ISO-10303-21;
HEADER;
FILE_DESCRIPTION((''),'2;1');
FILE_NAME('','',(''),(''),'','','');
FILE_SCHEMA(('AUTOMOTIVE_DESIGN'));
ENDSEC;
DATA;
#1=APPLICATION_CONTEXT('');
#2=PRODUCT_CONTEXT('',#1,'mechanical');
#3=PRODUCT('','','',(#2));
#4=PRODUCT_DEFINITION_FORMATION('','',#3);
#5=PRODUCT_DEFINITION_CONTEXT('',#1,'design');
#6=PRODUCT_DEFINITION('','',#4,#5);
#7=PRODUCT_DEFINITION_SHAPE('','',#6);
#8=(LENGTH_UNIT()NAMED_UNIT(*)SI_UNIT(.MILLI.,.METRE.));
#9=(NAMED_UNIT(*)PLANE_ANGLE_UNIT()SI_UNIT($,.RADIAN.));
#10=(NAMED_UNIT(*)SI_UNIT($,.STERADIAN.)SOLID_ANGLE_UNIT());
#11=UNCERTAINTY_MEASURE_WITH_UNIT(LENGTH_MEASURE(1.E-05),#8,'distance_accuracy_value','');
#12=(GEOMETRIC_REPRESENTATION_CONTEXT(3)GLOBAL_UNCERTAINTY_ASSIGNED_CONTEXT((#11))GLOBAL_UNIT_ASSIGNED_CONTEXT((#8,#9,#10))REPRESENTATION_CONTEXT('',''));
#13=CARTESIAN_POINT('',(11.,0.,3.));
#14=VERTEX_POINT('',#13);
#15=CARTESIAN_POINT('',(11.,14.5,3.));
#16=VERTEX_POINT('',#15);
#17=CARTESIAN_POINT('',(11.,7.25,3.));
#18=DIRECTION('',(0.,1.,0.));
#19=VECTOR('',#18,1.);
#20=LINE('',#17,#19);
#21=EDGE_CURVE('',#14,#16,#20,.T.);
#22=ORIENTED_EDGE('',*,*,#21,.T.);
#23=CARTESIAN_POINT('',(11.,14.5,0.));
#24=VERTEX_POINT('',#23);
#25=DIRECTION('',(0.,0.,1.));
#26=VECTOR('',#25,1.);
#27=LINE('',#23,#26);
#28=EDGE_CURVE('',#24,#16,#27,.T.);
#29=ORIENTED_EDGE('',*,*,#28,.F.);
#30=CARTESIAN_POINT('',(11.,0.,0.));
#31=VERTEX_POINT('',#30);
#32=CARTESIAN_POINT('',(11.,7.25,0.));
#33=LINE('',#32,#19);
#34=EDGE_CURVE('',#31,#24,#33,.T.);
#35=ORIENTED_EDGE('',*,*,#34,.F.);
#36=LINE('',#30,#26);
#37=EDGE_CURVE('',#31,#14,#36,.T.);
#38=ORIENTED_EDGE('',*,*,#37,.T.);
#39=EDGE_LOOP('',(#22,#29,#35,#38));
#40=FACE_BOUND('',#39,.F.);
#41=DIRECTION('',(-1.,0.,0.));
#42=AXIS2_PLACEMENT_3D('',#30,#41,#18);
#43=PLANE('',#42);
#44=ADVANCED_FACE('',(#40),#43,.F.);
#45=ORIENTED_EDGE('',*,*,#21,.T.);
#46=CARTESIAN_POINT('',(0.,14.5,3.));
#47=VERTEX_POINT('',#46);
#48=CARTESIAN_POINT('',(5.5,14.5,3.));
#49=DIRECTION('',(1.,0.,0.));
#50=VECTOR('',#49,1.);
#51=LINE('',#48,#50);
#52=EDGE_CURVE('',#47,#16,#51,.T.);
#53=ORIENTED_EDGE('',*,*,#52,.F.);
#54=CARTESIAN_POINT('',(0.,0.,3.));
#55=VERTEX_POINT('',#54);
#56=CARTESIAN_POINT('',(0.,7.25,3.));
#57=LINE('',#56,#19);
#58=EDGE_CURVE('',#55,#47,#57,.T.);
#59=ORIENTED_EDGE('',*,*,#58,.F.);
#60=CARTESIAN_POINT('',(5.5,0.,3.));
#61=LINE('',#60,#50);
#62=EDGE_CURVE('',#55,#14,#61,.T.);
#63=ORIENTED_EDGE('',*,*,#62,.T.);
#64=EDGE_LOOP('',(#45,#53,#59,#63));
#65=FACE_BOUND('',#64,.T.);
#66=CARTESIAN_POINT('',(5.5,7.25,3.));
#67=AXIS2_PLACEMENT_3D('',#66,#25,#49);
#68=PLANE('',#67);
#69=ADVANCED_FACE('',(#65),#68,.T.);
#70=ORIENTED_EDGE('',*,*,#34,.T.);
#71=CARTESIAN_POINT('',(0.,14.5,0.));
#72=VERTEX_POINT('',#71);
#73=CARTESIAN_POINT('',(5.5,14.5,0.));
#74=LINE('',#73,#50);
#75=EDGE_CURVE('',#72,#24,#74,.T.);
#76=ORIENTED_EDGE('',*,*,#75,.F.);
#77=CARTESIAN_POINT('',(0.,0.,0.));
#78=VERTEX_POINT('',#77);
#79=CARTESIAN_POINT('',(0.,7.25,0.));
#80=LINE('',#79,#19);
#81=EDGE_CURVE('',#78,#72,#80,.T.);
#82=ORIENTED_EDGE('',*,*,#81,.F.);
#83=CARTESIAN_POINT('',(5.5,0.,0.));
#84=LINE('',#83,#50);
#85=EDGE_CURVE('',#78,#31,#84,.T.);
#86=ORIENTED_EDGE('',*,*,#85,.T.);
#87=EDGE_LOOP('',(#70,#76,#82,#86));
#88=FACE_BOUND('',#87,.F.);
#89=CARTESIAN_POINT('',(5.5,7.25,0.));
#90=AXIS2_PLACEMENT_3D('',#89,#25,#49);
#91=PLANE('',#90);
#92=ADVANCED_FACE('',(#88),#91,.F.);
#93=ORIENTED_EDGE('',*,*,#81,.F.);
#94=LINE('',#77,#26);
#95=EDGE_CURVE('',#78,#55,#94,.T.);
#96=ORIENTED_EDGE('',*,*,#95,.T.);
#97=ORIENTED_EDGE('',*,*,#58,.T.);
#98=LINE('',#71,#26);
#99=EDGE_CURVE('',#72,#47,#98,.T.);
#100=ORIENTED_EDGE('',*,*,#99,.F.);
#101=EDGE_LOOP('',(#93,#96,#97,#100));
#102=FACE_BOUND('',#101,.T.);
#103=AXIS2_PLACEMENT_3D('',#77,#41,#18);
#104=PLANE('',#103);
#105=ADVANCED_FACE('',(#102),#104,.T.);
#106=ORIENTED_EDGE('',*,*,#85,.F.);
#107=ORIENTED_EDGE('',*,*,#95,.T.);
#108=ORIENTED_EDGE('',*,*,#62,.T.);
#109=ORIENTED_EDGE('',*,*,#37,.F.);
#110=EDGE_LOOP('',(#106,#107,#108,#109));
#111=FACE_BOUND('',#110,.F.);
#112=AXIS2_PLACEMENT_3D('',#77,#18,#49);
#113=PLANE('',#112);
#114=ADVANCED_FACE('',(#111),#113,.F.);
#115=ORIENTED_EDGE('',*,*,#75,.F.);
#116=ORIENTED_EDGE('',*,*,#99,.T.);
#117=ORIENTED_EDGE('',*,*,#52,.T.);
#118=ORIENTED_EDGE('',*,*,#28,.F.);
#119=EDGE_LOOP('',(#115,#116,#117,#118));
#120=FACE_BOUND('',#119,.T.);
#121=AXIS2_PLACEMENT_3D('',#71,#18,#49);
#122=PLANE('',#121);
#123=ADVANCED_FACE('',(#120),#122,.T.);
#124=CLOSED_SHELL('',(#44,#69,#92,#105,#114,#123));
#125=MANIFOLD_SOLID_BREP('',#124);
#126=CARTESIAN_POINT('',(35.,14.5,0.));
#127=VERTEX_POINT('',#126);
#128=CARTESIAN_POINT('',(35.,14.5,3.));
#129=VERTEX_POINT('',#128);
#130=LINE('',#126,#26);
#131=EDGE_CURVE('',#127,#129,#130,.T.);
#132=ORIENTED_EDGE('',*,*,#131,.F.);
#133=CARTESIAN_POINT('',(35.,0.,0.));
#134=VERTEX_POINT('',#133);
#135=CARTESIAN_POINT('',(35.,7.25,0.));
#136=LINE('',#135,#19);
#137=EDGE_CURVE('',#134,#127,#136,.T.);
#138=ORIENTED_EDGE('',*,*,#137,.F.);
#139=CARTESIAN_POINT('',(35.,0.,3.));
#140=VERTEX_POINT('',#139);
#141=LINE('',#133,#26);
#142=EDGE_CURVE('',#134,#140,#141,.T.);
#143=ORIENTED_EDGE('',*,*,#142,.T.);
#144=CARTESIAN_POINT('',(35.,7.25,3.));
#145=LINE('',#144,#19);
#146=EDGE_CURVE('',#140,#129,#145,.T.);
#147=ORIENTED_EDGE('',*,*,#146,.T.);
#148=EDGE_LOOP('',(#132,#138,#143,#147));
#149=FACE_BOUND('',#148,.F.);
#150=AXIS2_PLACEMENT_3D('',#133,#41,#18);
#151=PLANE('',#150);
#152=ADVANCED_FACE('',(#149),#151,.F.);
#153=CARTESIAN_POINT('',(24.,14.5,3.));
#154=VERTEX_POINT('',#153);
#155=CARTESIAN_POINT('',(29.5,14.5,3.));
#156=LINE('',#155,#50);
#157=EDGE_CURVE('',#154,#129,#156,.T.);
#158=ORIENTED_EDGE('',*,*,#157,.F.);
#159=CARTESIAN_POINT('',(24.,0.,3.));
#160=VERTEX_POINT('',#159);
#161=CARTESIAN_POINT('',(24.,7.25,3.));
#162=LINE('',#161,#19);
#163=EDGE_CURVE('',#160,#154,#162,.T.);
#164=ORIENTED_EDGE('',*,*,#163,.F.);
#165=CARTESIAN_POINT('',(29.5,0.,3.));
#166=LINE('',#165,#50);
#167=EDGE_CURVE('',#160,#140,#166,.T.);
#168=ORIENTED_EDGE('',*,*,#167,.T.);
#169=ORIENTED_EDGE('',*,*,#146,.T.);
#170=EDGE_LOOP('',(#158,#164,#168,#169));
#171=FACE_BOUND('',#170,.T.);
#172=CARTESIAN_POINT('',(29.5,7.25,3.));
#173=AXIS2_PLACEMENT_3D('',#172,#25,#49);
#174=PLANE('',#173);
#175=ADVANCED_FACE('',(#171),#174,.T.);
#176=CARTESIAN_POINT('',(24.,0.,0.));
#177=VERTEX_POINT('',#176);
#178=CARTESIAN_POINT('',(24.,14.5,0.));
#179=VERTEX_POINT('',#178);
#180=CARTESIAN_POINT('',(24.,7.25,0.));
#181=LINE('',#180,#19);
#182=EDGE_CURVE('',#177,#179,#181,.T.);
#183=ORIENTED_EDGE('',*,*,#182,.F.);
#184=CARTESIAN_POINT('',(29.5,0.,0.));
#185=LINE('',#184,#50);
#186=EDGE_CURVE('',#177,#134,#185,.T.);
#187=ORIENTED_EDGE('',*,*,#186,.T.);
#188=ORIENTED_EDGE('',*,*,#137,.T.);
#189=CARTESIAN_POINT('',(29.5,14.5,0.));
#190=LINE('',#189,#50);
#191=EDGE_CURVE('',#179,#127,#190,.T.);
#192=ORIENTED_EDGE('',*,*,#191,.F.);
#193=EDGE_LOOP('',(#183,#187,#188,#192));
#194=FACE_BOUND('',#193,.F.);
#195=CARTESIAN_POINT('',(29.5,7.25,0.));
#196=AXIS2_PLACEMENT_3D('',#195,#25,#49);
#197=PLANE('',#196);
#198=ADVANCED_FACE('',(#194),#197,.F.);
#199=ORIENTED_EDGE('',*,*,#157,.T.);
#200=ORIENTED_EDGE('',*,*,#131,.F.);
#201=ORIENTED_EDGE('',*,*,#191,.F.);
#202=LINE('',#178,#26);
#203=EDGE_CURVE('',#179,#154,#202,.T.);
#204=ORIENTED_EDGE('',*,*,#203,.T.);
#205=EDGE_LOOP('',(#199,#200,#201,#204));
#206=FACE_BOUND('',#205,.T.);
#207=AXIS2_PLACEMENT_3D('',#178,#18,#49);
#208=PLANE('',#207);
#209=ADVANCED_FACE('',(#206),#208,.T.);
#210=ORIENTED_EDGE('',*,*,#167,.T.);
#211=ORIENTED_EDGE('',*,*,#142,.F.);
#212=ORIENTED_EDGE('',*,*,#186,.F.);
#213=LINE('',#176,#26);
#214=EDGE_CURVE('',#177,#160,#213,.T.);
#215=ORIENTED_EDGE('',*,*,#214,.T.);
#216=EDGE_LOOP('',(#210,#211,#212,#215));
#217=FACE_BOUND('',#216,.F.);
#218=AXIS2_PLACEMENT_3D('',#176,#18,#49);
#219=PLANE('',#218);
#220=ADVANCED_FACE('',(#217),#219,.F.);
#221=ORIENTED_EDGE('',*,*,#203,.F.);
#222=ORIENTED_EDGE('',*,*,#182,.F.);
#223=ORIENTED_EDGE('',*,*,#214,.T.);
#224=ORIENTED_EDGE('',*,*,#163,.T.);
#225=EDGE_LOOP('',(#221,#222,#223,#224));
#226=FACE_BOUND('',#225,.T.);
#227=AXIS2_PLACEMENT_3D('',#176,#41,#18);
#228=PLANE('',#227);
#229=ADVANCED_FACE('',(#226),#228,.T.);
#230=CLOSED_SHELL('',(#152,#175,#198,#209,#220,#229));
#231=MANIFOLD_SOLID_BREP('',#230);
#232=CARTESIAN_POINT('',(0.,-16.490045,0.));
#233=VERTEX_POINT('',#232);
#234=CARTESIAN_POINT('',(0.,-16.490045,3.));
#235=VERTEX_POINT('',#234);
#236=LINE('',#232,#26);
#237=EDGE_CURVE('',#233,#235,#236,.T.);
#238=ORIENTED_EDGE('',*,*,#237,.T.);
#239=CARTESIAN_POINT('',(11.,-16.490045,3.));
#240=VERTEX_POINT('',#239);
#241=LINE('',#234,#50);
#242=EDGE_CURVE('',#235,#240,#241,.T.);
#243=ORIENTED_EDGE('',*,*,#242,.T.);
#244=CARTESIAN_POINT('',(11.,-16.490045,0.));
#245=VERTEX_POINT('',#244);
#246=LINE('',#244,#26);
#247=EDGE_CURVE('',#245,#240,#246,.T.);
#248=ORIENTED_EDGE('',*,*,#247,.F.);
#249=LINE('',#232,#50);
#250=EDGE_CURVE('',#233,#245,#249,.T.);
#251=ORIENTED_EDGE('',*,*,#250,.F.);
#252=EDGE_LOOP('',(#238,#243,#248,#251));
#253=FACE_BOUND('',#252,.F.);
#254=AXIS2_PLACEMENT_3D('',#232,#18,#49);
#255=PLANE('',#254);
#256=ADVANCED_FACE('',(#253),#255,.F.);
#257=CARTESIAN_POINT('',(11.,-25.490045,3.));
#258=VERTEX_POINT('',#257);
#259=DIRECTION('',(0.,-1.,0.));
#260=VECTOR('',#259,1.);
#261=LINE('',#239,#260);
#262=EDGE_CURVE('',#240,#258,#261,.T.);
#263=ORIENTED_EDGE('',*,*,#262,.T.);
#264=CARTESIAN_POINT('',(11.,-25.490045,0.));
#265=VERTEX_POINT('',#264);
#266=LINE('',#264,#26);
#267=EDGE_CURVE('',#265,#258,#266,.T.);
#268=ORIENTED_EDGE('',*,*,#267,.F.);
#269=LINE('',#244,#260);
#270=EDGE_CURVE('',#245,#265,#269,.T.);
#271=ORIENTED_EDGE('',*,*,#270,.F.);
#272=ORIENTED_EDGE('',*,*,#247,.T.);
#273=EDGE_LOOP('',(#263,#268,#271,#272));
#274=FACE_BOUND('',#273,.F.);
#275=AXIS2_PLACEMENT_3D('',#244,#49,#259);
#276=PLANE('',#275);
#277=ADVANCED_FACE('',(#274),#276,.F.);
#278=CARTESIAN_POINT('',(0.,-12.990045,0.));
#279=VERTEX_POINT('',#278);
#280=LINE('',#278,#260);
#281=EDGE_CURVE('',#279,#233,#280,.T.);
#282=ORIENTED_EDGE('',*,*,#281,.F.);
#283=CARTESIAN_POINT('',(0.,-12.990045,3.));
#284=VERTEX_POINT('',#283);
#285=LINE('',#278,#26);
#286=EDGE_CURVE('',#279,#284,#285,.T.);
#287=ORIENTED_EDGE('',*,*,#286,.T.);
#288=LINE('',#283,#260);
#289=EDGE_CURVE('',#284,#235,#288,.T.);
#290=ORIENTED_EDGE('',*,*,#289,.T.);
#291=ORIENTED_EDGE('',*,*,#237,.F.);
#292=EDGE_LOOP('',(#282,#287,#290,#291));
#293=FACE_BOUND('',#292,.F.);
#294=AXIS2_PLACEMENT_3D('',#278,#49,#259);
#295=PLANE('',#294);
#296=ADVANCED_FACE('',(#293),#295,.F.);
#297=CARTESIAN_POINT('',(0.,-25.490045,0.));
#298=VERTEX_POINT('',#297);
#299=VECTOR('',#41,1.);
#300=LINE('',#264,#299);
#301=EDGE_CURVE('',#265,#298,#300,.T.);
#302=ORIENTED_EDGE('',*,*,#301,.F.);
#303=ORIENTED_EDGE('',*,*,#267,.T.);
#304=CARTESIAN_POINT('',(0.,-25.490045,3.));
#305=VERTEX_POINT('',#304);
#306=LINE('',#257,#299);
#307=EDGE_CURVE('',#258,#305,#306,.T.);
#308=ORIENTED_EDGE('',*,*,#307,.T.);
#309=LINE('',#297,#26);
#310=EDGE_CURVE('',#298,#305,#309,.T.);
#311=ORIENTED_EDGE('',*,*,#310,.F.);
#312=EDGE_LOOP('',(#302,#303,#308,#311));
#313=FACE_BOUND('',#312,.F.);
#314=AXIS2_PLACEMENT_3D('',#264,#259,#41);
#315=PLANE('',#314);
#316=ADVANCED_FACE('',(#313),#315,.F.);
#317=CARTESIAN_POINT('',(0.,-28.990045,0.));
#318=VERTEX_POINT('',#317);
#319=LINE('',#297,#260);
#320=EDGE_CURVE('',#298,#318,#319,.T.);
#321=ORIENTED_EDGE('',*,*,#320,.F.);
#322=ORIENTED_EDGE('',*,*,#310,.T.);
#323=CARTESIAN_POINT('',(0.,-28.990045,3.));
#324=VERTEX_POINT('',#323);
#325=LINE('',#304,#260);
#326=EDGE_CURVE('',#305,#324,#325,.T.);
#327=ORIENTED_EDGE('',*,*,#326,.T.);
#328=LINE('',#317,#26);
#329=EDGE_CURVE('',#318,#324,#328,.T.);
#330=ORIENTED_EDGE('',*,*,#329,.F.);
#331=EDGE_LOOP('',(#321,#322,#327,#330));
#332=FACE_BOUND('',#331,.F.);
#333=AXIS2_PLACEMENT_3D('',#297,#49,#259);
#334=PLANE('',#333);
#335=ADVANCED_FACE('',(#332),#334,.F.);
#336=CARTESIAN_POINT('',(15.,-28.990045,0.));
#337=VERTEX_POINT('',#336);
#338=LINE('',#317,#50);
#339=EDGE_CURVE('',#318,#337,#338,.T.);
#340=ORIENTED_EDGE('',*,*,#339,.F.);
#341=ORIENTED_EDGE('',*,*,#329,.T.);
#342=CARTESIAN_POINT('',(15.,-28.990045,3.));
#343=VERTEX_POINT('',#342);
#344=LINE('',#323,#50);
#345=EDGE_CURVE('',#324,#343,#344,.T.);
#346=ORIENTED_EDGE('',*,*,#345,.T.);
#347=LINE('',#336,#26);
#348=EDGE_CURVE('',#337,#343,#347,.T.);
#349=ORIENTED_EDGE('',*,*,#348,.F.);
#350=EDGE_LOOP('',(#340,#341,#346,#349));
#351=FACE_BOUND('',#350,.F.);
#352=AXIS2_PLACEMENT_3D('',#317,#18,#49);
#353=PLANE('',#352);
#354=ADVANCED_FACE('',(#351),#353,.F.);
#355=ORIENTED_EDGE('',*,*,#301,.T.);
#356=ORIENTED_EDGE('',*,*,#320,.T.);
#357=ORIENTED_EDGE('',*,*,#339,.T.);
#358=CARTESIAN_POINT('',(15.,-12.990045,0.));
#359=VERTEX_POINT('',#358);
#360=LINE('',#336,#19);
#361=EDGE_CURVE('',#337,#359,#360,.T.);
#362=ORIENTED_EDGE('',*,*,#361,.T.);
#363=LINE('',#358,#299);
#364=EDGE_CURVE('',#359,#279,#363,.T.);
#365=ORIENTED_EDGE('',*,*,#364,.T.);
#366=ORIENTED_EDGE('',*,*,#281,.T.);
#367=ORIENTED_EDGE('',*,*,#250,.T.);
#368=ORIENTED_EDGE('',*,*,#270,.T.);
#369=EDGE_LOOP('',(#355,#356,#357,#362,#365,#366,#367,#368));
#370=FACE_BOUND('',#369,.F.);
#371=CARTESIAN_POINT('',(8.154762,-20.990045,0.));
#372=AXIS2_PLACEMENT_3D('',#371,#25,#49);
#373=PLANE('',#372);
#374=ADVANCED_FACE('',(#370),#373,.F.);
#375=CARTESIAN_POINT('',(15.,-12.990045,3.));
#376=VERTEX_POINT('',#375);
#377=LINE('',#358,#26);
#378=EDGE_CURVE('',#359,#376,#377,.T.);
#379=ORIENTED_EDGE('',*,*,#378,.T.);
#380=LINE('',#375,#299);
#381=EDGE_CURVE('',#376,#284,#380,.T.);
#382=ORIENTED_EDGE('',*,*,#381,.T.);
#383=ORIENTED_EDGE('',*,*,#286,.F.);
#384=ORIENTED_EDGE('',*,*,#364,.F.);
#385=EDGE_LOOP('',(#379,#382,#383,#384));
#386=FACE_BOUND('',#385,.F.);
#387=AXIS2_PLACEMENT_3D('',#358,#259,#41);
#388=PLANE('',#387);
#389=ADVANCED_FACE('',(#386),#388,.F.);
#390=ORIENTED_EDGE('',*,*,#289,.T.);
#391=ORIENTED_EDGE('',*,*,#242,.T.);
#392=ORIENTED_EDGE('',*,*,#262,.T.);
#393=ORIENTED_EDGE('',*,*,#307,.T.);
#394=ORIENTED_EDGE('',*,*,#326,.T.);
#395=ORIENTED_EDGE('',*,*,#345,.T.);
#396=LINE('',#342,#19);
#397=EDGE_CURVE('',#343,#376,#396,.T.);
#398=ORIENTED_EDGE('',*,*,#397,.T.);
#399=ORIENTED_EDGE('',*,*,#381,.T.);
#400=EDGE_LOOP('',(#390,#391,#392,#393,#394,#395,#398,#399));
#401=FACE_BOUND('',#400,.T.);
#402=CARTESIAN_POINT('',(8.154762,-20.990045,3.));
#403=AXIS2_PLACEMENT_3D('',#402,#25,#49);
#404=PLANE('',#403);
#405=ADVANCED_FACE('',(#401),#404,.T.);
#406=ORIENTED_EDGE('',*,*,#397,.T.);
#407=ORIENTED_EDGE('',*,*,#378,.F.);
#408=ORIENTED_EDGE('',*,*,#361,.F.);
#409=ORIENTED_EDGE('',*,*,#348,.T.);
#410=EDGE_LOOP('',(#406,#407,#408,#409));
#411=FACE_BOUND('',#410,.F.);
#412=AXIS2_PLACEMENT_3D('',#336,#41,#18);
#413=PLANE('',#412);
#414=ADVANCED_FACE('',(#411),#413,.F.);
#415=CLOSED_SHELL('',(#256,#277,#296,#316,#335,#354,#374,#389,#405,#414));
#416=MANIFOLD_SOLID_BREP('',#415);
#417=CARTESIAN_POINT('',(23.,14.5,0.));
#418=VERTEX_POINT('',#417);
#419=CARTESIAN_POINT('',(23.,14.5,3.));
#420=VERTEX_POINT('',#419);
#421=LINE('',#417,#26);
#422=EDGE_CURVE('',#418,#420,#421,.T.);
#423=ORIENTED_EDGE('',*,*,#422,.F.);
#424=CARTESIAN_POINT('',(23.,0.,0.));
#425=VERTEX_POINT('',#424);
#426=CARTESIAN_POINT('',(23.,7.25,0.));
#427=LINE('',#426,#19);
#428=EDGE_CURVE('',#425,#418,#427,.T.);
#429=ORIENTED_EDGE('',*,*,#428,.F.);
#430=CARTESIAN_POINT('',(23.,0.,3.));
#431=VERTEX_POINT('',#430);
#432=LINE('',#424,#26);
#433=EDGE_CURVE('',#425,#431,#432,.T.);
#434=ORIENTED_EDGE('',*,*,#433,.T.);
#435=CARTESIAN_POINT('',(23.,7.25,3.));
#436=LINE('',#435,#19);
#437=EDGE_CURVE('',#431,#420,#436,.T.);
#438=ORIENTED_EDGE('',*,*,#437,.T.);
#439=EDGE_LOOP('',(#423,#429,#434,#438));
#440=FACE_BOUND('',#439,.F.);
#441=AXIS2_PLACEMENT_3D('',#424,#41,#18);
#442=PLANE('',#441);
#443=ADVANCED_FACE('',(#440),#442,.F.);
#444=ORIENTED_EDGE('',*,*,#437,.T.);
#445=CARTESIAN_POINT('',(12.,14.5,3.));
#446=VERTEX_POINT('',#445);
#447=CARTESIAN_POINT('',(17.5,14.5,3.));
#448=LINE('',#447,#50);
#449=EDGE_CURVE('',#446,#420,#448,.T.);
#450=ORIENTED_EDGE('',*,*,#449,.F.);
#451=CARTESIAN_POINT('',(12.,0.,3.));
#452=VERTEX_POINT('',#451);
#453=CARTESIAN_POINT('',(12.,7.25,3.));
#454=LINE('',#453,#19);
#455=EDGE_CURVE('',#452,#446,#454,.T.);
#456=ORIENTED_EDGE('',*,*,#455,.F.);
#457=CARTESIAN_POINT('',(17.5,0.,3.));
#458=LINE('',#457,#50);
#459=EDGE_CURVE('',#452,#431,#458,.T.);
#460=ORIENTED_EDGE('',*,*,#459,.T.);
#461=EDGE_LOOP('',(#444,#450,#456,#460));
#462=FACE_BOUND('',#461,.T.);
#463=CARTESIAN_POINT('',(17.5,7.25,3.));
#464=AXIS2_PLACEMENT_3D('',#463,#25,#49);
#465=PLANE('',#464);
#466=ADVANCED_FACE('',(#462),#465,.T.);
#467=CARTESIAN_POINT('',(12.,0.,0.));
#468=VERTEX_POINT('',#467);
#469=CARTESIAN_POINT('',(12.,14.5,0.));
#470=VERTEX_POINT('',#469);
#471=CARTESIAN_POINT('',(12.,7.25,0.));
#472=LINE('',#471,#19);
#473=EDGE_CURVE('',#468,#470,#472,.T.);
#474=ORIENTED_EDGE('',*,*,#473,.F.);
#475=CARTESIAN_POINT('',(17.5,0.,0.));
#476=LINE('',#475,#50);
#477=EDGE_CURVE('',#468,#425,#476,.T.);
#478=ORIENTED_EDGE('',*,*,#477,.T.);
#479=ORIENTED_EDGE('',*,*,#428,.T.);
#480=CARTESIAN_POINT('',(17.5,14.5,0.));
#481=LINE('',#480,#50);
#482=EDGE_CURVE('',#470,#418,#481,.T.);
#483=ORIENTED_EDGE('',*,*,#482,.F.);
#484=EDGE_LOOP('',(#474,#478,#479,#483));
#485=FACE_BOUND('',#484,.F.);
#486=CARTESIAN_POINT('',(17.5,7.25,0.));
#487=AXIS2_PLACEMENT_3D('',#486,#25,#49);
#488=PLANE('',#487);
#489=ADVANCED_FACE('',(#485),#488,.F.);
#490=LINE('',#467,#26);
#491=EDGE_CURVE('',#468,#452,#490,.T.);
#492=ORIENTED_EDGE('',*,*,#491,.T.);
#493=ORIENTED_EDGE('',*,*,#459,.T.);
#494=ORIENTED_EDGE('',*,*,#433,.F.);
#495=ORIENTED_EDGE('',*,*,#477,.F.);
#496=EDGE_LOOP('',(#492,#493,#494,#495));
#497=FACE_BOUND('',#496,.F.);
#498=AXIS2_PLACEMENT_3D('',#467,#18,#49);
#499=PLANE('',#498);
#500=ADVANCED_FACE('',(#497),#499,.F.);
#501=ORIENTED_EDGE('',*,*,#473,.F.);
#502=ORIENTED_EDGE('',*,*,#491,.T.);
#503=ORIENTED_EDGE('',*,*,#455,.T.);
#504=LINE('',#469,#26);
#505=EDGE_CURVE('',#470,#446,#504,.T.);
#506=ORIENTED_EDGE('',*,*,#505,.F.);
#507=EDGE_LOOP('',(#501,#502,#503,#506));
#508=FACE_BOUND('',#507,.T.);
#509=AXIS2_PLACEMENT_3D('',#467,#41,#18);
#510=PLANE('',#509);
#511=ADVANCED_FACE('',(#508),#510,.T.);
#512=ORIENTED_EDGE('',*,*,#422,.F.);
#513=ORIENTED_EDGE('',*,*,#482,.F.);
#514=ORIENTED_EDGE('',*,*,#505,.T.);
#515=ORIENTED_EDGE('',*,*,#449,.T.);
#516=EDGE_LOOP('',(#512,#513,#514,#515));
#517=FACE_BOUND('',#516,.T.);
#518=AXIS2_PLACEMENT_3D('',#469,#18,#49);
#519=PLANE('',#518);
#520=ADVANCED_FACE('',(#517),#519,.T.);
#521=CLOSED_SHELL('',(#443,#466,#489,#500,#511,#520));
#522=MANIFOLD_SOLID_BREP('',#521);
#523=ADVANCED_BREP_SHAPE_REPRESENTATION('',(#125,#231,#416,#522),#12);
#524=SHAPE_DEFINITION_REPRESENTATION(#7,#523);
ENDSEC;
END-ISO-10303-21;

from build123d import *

# Parameters (mm, degrees)
F0_W     = 11
F0_H     = 14.5
F1_DEPTH = 3


with BuildPart() as f1:
    # F0 (on Top) → F1 (new body)
    with BuildSketch(Plane.XY):
        with Locations((5.5, 7.25)):
            Rectangle(F0_W, F0_H)
        with Locations((17.5, 7.25)):
            Rectangle(F0_W, F0_H)
        with Locations((29.5, 7.25)):
            Rectangle(F0_W, F0_H)
        Polygon((15, -12.990045), (0, -12.990045), (0, -16.490045), (11, -16.490045), (11, -25.490045), (0, -25.490045), (0, -28.990045), (15, -28.990045), align=None)
    extrude(amount=F1_DEPTH)


solid = f1.part
